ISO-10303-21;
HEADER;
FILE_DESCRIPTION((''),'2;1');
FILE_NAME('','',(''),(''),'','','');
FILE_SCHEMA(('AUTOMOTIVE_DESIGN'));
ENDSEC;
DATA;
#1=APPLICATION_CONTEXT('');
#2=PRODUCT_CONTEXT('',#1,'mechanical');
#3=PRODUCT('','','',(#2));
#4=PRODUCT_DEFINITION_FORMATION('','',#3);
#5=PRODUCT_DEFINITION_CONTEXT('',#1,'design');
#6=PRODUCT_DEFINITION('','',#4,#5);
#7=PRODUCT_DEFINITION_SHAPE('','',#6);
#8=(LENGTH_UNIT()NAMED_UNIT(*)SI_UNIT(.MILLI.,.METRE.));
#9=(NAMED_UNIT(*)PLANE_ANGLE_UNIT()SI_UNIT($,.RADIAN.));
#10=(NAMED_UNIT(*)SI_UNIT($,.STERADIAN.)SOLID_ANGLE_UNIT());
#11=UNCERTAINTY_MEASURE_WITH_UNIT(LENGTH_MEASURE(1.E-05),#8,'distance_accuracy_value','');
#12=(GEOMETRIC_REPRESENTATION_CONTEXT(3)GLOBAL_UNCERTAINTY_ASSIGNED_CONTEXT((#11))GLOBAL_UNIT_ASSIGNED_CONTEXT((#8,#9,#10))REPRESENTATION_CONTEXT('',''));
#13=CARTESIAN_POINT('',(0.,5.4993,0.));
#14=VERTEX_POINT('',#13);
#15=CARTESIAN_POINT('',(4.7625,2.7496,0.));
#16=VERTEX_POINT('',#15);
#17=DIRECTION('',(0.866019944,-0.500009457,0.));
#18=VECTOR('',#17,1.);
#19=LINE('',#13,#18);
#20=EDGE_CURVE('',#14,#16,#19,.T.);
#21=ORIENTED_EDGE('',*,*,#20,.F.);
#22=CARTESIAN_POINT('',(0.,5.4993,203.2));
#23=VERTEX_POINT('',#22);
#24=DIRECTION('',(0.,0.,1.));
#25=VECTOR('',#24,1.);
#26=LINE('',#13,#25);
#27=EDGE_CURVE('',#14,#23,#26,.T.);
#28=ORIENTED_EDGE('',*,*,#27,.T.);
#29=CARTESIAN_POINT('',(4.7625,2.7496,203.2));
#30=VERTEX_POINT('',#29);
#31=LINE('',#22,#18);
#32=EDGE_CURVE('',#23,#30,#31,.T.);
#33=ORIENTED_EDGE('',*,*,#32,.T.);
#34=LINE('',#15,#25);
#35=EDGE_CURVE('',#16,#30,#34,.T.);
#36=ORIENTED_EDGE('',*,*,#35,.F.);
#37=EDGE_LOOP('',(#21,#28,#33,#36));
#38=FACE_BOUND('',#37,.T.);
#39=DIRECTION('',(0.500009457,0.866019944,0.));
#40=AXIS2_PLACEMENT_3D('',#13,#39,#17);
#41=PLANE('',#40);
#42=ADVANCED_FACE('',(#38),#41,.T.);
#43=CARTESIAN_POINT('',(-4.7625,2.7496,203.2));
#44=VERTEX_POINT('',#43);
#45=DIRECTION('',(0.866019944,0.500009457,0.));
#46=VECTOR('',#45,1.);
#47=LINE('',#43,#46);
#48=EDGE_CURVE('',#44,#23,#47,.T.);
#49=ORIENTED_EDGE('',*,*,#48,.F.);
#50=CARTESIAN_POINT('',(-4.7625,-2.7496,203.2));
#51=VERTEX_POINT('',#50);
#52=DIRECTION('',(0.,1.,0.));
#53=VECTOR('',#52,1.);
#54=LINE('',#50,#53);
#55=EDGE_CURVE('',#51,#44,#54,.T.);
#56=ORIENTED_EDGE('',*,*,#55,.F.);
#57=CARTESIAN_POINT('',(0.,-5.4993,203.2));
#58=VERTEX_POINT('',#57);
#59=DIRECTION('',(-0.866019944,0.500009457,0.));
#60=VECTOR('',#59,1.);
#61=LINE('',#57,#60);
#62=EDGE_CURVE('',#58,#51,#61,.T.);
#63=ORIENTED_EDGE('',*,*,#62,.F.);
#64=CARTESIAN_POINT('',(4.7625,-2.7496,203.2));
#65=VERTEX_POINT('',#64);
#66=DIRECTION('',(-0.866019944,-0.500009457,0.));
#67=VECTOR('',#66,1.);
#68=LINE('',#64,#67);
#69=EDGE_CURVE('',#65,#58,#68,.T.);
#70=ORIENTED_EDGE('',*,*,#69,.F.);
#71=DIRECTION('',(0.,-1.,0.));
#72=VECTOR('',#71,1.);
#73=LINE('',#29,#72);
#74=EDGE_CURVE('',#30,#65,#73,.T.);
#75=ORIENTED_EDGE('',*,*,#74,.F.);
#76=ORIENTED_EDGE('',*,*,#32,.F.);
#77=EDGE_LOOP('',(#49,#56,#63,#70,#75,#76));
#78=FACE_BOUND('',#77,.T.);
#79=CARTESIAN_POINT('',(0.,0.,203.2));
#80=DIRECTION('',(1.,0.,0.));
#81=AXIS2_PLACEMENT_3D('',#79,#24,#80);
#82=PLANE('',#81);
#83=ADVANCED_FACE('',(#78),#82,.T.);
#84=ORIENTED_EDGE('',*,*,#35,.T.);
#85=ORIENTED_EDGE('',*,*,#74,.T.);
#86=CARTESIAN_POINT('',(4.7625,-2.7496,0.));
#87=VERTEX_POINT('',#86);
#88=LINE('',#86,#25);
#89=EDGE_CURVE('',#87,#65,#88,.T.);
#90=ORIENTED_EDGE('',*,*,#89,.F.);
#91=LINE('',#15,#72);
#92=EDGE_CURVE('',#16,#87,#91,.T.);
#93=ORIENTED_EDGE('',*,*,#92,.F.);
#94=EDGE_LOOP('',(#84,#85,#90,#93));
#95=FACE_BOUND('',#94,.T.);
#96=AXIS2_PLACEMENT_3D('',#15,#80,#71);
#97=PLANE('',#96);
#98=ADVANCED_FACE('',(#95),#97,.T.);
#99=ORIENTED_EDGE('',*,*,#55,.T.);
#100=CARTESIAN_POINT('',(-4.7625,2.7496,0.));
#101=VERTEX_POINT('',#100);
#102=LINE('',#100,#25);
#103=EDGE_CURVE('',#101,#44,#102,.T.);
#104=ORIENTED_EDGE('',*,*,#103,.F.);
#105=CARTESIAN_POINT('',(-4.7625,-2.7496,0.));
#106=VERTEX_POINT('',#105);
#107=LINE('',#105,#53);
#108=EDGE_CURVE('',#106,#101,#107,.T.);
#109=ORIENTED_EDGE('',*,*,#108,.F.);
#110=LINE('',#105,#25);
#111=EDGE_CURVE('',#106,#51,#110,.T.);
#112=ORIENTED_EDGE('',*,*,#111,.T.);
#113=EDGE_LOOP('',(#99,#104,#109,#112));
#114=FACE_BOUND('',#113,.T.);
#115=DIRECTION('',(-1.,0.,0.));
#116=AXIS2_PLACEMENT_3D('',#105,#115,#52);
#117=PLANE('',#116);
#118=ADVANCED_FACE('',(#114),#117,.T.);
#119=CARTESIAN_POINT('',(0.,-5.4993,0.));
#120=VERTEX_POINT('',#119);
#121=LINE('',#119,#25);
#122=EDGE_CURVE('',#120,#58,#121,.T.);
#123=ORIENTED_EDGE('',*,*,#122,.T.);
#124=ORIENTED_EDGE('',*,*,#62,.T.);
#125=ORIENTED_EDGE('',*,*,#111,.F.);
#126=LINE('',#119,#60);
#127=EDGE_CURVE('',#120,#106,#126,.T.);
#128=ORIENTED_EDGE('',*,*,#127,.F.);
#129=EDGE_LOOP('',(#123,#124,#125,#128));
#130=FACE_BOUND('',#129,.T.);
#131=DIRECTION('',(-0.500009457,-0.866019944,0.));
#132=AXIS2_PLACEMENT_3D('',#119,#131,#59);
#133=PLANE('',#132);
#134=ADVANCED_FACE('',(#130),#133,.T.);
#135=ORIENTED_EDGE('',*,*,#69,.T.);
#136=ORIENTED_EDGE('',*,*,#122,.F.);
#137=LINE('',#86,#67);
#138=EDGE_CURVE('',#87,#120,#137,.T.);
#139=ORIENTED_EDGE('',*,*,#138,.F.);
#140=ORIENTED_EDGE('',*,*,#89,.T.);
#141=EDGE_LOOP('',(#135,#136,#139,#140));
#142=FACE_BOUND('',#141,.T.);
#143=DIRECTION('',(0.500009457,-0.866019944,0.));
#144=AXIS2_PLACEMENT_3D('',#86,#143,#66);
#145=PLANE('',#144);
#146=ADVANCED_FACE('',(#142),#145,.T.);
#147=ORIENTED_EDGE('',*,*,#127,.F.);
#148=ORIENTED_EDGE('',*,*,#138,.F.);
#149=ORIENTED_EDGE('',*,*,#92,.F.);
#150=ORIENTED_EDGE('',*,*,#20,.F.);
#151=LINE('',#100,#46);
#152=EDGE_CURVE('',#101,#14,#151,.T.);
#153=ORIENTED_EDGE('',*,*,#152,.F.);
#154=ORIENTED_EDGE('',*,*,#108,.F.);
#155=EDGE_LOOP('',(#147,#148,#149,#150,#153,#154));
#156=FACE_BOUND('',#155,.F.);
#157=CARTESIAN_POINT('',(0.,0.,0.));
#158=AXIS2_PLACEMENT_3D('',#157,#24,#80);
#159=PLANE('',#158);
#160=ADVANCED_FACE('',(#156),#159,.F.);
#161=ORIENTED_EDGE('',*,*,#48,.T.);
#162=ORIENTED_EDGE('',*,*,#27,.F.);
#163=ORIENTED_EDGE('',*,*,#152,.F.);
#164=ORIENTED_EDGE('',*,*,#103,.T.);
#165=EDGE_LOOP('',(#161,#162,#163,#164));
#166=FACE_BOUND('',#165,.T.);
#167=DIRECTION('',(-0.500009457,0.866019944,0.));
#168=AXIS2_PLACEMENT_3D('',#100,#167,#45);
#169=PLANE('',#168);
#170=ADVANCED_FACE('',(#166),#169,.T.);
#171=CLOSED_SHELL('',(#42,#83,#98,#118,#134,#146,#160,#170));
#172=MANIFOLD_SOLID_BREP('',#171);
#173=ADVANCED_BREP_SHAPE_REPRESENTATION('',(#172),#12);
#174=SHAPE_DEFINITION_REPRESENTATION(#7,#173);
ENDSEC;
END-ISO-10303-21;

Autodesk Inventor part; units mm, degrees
ref_plane "YZ Plane" through (0, 0, 0) normal (1, 0, 0) x (0, 1, 0)
ref_plane "XZ Plane" through (0, 0, 0) normal (0, 1, 0) x (-1, 0, 0)
ref_plane "XY Plane" through (0, 0, 0) normal (0, 0, 1) x (1, 0, 0)
sketch "Sketch1" plane through (0, 0, 0) normal (0, 0, 1) x (1, 0, 0)
  line L0 (4.7625, -2.7496) -> (0, -5.4993)
  line L1 (0, -5.4993) -> (-4.7625, -2.7496)
  line L2 (-4.7625, -2.7496) -> (-4.7625, 2.7496)
  line L3 (-4.7625, 2.7496) -> (0, 5.4993)
  line L4 (0, 5.4993) -> (4.7625, 2.7496)
  line L5 (4.7625, 2.7496) -> (4.7625, -2.7496)
  point P0 (0, 0)
  point P1 (0, 0)
  dimension "d0" = 9.525
extrude "Extrusion1" add sketch "Sketch1" along normal blind 203.2
properties part number "3-8 hex axle" material "Steel"
